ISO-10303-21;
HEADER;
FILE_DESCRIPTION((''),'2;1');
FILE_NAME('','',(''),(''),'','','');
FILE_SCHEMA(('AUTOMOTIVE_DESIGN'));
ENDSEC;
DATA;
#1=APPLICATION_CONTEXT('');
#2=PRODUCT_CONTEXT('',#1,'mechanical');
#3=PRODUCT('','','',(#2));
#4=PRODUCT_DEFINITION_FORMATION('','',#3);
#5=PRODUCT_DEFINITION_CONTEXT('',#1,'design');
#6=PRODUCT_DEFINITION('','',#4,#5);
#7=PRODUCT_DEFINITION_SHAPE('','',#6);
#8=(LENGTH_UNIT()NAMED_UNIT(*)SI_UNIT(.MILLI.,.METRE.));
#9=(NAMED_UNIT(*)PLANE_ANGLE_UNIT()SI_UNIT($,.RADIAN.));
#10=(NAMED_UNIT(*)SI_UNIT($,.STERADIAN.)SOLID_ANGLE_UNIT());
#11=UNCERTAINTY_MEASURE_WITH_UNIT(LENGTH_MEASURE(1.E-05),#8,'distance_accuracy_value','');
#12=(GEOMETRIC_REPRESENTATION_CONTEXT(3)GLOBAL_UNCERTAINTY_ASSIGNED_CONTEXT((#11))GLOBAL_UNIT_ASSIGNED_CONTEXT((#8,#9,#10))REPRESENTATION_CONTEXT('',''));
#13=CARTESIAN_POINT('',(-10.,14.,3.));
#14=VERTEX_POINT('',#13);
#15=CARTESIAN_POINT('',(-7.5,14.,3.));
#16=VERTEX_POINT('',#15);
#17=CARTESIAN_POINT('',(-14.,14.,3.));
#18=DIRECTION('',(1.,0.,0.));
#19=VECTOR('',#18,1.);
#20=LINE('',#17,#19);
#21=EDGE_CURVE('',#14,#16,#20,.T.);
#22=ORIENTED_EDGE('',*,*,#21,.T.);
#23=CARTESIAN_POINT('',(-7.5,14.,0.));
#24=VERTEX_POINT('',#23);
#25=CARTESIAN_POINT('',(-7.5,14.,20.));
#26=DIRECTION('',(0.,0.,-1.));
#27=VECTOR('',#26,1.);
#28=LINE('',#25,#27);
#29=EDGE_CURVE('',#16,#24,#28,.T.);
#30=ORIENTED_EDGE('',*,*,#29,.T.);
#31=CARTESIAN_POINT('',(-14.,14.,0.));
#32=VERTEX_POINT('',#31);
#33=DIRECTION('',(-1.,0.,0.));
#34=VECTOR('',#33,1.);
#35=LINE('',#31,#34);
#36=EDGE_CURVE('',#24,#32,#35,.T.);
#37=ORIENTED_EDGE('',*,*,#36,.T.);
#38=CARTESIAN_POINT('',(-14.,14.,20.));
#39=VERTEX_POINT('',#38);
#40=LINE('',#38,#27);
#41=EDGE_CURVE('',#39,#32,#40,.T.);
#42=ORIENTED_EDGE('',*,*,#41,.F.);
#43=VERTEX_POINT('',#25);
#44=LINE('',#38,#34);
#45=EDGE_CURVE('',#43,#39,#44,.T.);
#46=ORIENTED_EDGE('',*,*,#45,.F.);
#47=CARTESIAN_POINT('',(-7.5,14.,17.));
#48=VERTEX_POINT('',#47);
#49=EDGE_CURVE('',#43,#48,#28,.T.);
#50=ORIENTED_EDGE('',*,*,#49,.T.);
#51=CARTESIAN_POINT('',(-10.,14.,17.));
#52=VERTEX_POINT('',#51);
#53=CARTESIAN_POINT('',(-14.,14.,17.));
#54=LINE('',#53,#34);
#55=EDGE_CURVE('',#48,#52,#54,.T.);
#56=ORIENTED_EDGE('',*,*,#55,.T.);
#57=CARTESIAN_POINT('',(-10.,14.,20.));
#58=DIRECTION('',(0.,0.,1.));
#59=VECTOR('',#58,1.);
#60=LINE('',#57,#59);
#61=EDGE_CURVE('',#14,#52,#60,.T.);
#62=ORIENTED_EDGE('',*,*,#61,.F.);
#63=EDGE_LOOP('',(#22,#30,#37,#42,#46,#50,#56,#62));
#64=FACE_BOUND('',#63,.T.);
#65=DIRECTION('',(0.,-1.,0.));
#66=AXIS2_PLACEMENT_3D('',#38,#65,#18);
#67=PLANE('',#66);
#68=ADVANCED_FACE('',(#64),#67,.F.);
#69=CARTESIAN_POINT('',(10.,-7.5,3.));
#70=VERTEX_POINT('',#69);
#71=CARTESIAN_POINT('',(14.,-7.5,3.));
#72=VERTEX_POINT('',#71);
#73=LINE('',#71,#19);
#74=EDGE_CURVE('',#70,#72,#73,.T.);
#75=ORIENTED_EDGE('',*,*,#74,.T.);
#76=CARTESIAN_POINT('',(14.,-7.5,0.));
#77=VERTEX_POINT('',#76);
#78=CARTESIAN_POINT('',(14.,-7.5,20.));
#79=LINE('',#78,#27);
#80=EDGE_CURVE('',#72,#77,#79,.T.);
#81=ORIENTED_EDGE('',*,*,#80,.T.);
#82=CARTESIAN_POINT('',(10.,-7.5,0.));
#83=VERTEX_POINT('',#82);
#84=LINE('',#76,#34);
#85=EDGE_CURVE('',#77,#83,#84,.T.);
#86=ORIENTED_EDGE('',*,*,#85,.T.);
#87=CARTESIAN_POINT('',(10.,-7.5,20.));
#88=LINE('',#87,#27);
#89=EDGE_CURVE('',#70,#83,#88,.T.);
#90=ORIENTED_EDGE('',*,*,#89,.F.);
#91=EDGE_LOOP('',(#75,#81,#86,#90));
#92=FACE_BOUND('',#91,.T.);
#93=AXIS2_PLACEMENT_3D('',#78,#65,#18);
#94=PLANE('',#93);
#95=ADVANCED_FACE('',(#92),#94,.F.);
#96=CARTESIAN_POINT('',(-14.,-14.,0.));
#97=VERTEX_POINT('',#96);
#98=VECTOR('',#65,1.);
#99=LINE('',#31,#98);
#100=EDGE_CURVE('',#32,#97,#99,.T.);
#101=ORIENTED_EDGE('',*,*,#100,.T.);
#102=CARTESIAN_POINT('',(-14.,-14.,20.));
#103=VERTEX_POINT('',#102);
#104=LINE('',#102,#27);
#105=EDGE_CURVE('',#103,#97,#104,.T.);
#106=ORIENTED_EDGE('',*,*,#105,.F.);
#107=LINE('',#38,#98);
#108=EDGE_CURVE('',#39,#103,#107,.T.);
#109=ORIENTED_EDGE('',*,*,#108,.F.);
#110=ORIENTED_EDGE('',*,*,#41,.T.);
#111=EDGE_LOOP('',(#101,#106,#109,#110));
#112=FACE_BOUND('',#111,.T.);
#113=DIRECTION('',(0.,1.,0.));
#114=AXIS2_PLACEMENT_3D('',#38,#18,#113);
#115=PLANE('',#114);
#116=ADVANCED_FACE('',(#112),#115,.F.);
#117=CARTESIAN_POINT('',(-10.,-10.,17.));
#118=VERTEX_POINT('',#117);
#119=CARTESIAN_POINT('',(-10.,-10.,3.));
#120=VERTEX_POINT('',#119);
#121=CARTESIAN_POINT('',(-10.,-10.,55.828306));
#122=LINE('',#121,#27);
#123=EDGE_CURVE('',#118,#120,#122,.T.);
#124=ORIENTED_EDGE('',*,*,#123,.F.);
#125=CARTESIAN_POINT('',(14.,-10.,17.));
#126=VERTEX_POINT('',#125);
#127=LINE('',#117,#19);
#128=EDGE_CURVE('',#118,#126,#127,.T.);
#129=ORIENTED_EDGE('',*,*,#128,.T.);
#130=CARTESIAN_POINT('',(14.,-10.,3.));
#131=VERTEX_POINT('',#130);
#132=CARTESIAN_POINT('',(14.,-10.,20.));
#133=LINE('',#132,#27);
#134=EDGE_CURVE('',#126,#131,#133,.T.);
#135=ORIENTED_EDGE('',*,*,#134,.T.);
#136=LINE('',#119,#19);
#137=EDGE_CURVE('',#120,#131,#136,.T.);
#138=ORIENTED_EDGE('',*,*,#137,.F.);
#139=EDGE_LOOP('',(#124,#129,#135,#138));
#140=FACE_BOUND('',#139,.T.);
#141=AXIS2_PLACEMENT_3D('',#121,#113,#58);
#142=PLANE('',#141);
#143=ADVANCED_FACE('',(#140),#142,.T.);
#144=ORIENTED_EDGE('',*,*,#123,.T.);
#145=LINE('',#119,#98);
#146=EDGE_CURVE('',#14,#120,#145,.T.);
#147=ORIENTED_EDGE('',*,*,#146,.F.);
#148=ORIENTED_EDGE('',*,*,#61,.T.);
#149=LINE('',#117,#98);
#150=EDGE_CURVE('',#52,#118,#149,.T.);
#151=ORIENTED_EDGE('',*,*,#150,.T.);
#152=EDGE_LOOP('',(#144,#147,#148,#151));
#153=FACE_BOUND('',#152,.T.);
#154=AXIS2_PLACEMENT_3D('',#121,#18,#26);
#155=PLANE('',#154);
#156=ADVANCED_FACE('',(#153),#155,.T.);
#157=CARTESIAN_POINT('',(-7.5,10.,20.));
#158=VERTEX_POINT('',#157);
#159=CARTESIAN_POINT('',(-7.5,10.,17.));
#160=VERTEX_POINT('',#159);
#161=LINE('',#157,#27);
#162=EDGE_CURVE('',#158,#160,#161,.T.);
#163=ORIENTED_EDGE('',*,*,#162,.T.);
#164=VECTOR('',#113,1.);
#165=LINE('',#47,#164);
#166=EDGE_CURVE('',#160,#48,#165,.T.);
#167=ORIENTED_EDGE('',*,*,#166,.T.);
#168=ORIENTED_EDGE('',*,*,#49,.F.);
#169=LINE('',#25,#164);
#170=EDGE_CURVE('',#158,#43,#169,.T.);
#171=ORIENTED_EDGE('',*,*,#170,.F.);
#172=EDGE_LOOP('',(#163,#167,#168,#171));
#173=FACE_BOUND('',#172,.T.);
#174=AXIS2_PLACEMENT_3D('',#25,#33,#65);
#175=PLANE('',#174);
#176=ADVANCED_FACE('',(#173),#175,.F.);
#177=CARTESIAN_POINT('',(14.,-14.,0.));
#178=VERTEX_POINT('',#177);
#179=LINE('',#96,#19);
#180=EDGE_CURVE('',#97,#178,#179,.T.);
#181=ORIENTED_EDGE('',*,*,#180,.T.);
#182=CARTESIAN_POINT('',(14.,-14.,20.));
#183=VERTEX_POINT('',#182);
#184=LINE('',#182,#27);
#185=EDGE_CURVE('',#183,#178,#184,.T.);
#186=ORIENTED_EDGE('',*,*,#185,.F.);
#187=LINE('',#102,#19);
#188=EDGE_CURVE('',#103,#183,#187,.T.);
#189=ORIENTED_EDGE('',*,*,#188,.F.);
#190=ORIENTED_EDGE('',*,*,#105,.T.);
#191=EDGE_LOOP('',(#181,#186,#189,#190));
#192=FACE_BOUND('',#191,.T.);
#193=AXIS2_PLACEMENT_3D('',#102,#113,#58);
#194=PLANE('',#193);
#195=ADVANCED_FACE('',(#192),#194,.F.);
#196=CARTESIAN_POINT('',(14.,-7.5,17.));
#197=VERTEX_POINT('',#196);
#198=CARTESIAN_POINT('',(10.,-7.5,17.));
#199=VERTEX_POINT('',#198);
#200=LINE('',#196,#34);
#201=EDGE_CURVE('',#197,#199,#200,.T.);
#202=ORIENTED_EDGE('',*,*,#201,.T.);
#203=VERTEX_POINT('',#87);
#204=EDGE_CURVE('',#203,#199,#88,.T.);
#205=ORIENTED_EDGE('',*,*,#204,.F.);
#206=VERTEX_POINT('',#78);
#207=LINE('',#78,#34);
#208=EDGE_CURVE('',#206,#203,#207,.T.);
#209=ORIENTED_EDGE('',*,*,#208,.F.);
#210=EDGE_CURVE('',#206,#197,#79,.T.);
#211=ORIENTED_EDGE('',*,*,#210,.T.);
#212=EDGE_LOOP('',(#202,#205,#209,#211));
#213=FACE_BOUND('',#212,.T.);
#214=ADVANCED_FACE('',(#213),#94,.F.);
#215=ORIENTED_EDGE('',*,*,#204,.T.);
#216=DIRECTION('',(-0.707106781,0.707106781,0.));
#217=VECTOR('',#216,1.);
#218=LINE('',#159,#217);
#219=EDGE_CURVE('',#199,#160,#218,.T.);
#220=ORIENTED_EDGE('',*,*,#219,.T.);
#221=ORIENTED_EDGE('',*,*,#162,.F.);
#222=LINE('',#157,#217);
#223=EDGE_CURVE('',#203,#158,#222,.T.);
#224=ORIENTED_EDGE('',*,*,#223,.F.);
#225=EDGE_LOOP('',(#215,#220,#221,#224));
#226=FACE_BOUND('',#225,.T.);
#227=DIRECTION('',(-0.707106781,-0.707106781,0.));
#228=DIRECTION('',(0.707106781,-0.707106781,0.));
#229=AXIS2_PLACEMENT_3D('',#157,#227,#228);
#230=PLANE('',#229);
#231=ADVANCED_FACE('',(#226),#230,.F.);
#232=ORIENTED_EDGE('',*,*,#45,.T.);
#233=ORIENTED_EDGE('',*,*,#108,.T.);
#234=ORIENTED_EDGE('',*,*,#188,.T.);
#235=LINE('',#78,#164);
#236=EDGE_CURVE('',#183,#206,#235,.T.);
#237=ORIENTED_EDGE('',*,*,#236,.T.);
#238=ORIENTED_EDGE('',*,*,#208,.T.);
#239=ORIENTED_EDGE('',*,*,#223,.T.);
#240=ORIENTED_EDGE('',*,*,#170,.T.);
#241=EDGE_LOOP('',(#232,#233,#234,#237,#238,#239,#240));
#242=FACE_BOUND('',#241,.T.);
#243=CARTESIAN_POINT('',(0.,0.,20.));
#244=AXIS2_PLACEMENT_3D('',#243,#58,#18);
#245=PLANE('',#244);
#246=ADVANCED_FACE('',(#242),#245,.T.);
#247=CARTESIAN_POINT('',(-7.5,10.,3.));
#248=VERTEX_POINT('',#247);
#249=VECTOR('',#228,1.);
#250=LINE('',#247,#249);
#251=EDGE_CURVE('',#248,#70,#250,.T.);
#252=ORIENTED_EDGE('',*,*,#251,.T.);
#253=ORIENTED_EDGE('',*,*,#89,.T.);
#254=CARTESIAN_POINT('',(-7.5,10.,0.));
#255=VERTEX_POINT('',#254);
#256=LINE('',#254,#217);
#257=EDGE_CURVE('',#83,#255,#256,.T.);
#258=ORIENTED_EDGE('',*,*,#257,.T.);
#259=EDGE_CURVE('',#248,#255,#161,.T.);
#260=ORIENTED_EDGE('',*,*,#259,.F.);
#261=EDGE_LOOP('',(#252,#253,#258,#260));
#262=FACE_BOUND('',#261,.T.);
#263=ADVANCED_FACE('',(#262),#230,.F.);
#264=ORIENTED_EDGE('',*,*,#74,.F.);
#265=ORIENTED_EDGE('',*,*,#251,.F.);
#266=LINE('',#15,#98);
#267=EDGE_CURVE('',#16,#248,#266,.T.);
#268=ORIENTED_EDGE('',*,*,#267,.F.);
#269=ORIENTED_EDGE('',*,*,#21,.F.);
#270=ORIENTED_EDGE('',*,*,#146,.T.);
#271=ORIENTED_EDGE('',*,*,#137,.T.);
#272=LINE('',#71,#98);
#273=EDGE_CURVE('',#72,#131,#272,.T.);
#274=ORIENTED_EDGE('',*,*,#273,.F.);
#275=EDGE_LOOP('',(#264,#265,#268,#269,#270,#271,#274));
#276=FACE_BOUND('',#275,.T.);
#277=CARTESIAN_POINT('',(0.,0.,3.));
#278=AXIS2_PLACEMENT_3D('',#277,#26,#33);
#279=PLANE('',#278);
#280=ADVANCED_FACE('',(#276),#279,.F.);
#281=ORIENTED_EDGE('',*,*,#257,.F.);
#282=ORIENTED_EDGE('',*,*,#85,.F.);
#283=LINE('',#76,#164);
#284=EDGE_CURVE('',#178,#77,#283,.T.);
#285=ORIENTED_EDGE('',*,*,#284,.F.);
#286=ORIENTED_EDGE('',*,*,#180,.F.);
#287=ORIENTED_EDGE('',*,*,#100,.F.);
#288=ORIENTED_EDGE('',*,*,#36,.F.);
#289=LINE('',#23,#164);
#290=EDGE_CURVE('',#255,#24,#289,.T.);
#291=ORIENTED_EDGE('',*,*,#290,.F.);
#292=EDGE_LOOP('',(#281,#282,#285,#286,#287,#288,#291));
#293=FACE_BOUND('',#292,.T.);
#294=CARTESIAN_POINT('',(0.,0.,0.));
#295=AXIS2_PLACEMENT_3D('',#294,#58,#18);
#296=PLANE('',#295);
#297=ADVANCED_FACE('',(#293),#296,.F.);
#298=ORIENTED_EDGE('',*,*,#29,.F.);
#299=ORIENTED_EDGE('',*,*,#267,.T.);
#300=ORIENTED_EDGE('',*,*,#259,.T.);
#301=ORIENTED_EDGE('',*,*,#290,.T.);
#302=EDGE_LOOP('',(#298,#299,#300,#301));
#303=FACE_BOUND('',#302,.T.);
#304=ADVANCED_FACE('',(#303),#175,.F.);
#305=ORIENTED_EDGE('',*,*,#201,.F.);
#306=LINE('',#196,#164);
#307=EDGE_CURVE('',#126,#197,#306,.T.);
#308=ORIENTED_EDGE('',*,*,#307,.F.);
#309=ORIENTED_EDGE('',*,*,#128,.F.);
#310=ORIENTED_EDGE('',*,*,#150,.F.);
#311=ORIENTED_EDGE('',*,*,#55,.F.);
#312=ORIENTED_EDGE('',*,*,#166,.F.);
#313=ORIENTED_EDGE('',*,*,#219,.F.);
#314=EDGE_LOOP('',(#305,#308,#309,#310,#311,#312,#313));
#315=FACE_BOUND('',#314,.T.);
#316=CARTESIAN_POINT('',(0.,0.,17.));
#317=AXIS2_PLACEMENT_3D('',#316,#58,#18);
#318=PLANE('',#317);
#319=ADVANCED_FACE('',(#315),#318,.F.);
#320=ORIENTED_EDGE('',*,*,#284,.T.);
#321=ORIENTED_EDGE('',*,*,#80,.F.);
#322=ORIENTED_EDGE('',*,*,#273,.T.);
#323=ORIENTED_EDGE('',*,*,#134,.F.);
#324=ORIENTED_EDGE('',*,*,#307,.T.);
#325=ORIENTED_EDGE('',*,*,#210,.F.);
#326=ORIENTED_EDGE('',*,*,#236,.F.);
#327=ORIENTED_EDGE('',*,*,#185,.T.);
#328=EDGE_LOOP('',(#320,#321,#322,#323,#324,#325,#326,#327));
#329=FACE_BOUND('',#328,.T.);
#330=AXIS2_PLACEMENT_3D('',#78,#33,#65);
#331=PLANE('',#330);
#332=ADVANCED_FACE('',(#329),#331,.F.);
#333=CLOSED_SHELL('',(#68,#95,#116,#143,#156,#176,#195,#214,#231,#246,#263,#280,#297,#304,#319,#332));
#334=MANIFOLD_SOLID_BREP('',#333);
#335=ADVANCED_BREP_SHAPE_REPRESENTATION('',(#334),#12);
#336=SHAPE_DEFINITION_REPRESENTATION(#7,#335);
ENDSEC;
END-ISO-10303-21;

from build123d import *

# Parameters (mm, degrees)
EXTRUDE_1_DEPTH     = 20
CUT_EXTRUDE_START   = 3
SKETCH_2_W          = 25.638251078
SKETCH_2_H          = 25.026937626
CUT_EXTRUDE_1_DEPTH = 14


with BuildPart() as part:
    # 草图1 → 凸台-拉伸1 (new body)
    with BuildSketch(Plane.XY):
        Polygon((14, -7.5), (10, -7.5), (-7.5, 10), (-7.5, 14), (-14, 14), (-14, -14), (14, -14), align=None)
    extrude(amount=EXTRUDE_1_DEPTH)

    # 草图2 → 切除-拉伸1 (cut)
    with BuildSketch(Plane.XY.offset(CUT_EXTRUDE_START)):
        with Locations((2.819125539, 2.513468813)):
            Rectangle(SKETCH_2_W, SKETCH_2_H)
    extrude(amount=CUT_EXTRUDE_1_DEPTH, mode=Mode.SUBTRACT)


solid = part.part
